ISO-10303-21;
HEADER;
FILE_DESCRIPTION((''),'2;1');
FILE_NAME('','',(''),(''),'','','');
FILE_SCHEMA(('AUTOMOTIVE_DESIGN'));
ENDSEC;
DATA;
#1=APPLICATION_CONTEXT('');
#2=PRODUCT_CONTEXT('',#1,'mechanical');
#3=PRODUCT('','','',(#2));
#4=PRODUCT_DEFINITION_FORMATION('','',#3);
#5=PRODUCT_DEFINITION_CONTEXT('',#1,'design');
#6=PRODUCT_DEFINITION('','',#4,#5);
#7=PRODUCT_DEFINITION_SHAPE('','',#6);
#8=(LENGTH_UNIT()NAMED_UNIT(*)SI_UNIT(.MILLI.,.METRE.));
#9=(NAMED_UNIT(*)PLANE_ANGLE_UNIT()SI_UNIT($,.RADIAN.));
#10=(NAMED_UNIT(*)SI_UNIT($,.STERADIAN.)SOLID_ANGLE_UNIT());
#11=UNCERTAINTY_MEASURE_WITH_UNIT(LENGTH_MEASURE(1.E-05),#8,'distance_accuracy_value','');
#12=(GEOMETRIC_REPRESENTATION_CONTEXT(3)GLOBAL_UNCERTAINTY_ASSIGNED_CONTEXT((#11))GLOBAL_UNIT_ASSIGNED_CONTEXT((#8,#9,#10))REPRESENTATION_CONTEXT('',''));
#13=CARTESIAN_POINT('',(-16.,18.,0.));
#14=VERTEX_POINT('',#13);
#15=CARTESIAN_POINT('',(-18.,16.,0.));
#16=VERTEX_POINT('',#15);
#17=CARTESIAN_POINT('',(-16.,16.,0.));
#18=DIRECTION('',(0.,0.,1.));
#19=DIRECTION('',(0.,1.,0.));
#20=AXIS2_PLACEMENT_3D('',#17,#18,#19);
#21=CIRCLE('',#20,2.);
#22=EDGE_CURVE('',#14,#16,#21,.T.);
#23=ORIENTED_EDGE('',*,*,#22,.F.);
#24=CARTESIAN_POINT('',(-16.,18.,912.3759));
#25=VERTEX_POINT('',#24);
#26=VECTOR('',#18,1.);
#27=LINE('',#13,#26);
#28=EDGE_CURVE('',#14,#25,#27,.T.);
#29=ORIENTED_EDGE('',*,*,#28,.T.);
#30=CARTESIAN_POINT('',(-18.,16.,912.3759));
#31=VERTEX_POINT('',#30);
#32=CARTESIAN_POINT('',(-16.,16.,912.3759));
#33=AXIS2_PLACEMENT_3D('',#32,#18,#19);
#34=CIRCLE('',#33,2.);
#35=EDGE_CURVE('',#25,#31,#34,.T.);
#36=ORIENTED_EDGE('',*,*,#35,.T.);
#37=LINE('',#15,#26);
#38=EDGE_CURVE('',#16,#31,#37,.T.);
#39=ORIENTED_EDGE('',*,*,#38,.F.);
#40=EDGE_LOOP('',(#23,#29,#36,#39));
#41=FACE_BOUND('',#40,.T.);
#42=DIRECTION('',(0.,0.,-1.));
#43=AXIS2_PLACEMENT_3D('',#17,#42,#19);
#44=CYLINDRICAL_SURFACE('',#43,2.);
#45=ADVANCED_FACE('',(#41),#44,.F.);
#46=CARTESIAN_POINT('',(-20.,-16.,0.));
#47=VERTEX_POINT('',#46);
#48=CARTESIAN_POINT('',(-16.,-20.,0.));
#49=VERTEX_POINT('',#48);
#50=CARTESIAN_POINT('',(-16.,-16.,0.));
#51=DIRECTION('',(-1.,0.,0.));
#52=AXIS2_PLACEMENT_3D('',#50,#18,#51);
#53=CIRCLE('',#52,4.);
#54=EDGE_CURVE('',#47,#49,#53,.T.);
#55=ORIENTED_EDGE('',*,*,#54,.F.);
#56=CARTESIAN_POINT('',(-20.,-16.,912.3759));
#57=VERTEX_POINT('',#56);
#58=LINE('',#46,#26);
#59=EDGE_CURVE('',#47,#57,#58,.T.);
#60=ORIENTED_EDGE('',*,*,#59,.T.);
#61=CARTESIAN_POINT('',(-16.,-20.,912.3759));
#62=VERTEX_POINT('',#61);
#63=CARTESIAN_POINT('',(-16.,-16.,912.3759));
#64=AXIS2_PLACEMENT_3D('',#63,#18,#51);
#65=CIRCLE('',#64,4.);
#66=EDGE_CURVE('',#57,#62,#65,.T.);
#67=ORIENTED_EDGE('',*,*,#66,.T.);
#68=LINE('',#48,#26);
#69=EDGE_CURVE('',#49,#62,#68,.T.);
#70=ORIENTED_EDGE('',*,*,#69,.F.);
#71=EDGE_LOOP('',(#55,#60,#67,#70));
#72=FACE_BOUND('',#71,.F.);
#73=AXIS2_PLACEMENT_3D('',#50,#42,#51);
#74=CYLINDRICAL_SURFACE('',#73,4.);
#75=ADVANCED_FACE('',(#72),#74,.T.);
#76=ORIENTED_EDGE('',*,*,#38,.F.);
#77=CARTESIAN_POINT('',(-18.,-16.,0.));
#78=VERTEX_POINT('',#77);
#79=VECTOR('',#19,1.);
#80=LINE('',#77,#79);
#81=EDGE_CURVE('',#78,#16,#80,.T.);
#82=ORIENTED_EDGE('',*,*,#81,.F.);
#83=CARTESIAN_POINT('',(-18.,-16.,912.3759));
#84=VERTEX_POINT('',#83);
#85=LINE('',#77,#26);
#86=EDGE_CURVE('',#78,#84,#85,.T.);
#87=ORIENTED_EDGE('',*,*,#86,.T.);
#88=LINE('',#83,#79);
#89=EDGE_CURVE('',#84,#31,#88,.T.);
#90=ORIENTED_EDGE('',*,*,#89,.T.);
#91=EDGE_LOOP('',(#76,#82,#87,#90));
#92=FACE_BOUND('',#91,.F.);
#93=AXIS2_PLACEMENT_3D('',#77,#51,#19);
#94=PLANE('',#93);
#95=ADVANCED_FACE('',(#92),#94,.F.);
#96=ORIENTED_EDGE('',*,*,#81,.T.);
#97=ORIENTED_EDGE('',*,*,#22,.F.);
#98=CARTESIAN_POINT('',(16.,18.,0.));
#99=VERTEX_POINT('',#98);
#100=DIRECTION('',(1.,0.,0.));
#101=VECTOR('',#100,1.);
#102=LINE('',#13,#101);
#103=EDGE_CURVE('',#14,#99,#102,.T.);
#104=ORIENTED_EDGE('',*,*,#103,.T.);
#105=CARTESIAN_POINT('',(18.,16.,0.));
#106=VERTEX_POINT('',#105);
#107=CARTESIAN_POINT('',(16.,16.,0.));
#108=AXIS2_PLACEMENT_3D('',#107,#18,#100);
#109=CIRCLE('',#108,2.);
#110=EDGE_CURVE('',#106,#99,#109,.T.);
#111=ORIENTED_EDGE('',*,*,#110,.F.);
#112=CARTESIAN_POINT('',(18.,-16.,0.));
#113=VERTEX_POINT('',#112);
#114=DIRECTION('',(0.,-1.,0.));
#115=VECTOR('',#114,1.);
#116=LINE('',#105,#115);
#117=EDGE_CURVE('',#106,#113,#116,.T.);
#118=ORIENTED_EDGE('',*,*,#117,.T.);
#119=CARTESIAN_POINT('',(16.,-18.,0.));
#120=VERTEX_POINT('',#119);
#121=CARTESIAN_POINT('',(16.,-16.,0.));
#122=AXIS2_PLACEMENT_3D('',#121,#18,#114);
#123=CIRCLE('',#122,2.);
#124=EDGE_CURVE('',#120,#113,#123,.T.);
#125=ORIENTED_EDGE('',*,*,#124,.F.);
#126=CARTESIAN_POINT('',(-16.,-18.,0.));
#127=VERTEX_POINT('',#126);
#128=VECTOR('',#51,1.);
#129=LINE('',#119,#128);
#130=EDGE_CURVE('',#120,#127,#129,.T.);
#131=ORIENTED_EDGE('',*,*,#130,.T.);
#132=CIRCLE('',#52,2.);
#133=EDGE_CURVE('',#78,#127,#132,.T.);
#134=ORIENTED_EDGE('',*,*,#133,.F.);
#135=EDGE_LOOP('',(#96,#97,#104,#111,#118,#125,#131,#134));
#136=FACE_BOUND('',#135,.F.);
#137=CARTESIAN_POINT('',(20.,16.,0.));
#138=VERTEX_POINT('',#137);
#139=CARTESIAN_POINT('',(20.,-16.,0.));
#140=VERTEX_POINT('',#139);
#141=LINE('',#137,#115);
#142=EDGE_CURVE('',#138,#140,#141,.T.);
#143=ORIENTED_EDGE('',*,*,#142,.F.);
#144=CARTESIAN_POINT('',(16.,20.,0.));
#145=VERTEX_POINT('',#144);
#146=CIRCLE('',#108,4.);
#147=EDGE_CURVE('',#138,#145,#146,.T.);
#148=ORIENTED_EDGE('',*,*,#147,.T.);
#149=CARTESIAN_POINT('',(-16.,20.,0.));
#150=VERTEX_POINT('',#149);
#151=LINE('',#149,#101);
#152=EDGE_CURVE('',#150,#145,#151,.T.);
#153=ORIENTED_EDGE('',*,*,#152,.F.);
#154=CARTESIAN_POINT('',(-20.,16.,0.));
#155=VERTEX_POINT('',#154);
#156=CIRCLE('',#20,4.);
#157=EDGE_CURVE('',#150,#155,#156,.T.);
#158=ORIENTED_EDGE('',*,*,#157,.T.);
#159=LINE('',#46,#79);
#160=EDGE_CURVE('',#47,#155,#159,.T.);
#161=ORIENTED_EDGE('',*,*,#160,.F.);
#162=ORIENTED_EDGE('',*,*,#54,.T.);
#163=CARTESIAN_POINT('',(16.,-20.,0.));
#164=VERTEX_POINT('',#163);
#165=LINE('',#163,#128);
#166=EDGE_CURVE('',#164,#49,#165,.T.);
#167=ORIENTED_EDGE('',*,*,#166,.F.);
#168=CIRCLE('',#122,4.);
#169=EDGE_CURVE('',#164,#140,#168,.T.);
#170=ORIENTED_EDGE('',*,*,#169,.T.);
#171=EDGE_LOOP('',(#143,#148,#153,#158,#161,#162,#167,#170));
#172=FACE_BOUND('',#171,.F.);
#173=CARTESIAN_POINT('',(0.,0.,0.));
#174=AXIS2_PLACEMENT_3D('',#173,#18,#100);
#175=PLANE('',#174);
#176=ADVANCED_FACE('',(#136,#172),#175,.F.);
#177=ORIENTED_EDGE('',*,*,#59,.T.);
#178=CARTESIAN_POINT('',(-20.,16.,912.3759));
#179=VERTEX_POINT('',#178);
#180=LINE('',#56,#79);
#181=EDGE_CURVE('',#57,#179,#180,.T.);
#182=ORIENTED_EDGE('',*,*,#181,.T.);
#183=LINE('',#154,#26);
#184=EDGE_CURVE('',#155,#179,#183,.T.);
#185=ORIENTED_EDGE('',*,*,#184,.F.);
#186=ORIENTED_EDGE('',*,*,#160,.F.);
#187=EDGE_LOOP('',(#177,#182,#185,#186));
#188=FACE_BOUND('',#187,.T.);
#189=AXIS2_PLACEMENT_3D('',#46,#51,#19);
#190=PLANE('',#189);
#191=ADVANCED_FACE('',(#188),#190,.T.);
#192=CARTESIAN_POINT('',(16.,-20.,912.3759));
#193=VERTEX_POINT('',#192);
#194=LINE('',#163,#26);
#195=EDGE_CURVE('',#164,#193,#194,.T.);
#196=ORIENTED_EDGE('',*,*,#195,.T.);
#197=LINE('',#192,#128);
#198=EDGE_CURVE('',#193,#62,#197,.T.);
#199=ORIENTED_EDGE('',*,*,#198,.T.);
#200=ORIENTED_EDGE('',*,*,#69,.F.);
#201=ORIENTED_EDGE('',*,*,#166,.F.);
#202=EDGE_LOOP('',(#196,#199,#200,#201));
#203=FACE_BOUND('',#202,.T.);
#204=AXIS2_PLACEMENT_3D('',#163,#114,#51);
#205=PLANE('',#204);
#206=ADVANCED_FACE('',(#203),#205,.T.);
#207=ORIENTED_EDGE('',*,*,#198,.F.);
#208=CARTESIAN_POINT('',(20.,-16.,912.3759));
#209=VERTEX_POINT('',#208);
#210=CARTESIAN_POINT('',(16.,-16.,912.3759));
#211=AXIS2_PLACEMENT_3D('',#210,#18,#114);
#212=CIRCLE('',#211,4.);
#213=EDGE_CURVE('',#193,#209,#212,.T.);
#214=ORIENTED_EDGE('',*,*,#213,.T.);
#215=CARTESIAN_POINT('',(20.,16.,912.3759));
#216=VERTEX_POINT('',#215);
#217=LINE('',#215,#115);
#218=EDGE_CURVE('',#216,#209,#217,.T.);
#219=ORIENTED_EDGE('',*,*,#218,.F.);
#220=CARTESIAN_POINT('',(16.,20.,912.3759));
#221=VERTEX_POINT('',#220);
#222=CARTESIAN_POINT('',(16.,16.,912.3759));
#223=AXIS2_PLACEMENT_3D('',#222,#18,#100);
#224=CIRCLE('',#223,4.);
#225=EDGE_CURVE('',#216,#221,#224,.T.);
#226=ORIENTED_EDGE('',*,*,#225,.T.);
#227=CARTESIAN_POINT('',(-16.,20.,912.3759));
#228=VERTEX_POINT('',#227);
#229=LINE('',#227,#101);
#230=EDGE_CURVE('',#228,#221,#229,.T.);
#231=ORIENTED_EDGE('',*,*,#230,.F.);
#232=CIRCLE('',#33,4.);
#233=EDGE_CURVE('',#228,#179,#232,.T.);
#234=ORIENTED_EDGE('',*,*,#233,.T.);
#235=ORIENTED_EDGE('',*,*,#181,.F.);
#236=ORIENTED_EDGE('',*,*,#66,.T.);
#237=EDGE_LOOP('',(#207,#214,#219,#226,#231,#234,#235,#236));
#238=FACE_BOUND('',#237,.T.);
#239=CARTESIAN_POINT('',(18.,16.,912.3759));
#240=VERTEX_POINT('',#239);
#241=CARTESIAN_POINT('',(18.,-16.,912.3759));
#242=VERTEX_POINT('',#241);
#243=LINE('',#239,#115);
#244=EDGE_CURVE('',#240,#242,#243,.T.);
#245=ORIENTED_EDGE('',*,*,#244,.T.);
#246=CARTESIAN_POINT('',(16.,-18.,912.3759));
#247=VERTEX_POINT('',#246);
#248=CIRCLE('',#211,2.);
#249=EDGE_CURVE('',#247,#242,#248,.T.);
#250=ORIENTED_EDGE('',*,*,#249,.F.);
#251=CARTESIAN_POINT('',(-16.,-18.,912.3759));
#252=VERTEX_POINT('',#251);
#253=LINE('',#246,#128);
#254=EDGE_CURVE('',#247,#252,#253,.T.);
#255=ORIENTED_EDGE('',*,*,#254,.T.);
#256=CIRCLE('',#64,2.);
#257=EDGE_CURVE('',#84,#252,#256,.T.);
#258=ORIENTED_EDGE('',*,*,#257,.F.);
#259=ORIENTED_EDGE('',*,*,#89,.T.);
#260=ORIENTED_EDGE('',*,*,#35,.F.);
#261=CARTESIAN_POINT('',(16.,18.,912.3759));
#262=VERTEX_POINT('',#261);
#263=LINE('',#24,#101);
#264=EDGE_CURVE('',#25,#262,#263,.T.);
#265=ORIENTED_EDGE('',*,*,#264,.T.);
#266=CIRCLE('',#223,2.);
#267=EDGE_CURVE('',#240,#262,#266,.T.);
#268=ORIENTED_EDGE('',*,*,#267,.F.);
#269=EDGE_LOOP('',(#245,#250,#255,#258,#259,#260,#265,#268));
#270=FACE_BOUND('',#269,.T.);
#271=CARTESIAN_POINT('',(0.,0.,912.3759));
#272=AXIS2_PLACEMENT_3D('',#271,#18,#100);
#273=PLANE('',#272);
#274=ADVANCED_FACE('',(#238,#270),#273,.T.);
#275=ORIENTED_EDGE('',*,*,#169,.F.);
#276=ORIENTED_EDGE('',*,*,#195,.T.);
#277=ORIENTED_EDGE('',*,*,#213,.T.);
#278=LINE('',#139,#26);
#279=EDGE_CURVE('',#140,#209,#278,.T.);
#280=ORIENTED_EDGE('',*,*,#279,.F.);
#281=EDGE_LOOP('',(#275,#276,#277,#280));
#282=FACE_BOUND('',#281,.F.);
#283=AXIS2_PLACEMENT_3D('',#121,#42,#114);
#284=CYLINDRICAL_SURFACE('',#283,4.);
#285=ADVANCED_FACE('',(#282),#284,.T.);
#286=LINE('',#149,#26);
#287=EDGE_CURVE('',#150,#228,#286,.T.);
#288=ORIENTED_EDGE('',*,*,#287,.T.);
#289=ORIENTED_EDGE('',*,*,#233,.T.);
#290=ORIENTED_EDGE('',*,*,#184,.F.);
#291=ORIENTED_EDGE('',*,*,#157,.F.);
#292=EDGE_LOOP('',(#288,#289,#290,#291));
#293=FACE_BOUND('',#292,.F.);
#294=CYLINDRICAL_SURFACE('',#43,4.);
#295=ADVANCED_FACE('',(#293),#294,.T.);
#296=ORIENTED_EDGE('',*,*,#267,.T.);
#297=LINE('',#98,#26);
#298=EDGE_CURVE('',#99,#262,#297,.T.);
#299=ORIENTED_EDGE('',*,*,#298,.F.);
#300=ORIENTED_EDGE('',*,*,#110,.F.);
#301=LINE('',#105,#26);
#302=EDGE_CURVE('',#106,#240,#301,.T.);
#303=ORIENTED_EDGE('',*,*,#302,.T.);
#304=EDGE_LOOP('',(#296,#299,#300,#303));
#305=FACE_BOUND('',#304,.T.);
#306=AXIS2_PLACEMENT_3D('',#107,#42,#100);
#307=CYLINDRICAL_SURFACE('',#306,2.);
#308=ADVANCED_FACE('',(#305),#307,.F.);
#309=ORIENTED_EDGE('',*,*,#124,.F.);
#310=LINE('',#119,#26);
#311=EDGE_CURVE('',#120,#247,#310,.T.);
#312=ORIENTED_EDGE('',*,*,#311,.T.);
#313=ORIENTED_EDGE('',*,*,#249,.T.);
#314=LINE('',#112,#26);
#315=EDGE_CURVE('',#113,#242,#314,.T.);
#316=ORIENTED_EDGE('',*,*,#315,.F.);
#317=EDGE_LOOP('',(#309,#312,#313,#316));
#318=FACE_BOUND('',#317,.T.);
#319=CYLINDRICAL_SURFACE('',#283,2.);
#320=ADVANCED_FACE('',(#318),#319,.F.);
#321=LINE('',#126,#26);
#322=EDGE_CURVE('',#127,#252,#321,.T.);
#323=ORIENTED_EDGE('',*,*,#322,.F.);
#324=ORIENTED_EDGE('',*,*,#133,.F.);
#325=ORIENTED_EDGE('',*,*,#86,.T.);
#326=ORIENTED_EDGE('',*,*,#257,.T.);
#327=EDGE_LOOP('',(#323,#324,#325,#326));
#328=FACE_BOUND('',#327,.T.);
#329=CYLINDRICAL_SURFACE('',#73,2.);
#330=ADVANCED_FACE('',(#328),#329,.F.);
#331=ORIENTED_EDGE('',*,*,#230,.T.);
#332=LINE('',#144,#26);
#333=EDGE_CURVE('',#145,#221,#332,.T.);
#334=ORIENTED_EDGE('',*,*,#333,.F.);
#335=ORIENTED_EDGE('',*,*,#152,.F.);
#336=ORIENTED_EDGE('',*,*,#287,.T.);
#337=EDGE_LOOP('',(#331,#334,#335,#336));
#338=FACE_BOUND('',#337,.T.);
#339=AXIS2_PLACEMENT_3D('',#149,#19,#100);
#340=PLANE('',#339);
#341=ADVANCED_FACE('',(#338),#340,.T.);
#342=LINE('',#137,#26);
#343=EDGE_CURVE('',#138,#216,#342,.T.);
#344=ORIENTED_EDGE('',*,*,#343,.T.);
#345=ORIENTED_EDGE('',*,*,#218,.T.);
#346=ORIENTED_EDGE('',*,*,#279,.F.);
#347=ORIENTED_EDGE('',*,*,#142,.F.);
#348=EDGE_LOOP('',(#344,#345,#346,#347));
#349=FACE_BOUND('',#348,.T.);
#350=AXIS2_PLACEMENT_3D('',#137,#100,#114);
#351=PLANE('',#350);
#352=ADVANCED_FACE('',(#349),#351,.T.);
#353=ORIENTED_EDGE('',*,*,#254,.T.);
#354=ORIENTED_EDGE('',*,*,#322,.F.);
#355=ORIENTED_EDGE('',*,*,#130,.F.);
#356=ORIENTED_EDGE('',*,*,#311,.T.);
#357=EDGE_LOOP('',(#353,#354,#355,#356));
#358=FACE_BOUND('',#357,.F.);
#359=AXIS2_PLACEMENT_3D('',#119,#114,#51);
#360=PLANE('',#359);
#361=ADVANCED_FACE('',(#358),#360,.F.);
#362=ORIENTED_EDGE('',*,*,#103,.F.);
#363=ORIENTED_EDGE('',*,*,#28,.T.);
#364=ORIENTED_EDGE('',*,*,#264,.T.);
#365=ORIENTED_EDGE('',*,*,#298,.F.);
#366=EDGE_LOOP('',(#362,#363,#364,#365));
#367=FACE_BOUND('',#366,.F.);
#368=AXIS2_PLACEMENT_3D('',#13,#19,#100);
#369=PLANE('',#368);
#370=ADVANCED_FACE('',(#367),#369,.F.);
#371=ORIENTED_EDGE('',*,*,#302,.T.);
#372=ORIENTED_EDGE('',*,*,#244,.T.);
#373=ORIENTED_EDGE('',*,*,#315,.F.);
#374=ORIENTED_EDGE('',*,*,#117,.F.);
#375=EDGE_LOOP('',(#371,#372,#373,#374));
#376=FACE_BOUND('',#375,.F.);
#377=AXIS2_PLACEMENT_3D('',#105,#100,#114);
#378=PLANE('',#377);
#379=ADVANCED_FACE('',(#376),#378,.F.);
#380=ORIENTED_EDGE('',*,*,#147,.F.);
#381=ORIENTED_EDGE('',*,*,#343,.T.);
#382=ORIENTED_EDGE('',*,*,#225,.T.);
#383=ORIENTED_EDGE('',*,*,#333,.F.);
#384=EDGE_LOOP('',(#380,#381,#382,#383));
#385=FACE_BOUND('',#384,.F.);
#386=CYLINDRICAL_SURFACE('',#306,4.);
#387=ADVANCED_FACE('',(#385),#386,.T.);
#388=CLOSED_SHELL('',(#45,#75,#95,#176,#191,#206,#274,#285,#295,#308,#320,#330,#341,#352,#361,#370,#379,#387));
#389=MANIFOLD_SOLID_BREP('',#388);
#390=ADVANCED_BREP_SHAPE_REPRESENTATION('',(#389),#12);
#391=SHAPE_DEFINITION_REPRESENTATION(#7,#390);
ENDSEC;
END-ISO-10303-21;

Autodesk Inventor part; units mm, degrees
ref_plane "YZ Plane" through (0, 0, 0) normal (1, 0, 0) x (0, 1, 0)
ref_plane "Start Plane" through (0, 0, 0) normal (0, 0, 1) x (1, 0, 0)
ref_plane "End Plane" through (0, 0, 912.3759) normal (0, 0, 1) x (1, 0, 0)
sketch "Sketch" plane through (0, 0, 0) normal (0, 0, 1) x (1, 0, 0)
  line L0 (-20, -16) -> (-20, 16)
  line L1 (-16, 20) -> (16, 20)
  line L2 (20, 16) -> (20, -16)
  line L3 (16, -20) -> (-16, -20)
  arc A0 (-20, -16) -> (-16, -20) centre (-16, -16) ccw
  arc A1 (20, 16) -> (16, 20) centre (16, 16) ccw
  arc A2 (-16, 20) -> (-20, 16) centre (-16, 16) ccw
  arc A3 (16, -20) -> (20, -16) centre (16, -16) ccw
  arc A4 (-16, 18) -> (-18, 16) centre (-16, 16) ccw
  line L4 (-16, 18) -> (16, 18)
  arc A5 (18, 16) -> (16, 18) centre (16, 16) ccw
  line L5 (18, 16) -> (18, -16)
  arc A6 (16, -18) -> (18, -16) centre (16, -16) ccw
  line L6 (16, -18) -> (-16, -18)
  arc A7 (-18, -16) -> (-16, -18) centre (-16, -16) ccw
  line L7 (-18, -16) -> (-18, 16)
  line L8 (0, 29.1598) -> (0, -29.1598) construction
  line L9 (-29.1598, 0) -> (29.1598, 0) construction
  dimension "d7" = 4
  dimension "d9" = 40
  dimension "d11" = 40
  dimension "d12" = 2
  dimension "d15" = 20
  dimension "d16" = 20
extrude "Body" add sketch "Sketch" along normal up to surface (912.3759 mm away) from surface at 0
sketch "Sketch3" plane through (0, 0, 0) normal (0, 0, 1) x (1, 0, 0)
  line L0 (0, 0) -> (10, 0)
ref_plane "Work Plane3" through (0, 0, 0) normal (0, -1, 0) x (1, 0, 0)
sketch "Sketch4" plane through (0, 0, 0) normal (0, -1, 0) x (1, 0, 0)
  line L0 (-2, 0) -> (12, 0) projected
  line L1 (-2, 912.3759) -> (12, 912.3759) projected
  dimension "d18" = 912.3759
equation "\"d7\" = G_IR"
equation "\"d9\" = G_W"
equation "\"d11\" = G_H"
equation "\"d12\" = G_T"
equation "\"d15\" = 0.5 * d9"
equation "\"d16\" = 0.5 * d11"
equation "\"d3\" = G_L"
equation "\"G_W\" = 40"
equation "\"G_H\" = 40"
equation "\"G_T\" = 2"
equation "\"G_IR\" = 4"
equation "\"G_L\" = d18"
equation "\"G_OFFSET_START\" = 0"
equation "\"d14\" = G_OFFSET_END + B_L"
equation "\"B_L\" = 952.37586"
equation "\"G_OFFSET_END\" = -40"
properties part number "ISO 4019 - 40x40x2 - 912,38" material "Steel, Mild"
